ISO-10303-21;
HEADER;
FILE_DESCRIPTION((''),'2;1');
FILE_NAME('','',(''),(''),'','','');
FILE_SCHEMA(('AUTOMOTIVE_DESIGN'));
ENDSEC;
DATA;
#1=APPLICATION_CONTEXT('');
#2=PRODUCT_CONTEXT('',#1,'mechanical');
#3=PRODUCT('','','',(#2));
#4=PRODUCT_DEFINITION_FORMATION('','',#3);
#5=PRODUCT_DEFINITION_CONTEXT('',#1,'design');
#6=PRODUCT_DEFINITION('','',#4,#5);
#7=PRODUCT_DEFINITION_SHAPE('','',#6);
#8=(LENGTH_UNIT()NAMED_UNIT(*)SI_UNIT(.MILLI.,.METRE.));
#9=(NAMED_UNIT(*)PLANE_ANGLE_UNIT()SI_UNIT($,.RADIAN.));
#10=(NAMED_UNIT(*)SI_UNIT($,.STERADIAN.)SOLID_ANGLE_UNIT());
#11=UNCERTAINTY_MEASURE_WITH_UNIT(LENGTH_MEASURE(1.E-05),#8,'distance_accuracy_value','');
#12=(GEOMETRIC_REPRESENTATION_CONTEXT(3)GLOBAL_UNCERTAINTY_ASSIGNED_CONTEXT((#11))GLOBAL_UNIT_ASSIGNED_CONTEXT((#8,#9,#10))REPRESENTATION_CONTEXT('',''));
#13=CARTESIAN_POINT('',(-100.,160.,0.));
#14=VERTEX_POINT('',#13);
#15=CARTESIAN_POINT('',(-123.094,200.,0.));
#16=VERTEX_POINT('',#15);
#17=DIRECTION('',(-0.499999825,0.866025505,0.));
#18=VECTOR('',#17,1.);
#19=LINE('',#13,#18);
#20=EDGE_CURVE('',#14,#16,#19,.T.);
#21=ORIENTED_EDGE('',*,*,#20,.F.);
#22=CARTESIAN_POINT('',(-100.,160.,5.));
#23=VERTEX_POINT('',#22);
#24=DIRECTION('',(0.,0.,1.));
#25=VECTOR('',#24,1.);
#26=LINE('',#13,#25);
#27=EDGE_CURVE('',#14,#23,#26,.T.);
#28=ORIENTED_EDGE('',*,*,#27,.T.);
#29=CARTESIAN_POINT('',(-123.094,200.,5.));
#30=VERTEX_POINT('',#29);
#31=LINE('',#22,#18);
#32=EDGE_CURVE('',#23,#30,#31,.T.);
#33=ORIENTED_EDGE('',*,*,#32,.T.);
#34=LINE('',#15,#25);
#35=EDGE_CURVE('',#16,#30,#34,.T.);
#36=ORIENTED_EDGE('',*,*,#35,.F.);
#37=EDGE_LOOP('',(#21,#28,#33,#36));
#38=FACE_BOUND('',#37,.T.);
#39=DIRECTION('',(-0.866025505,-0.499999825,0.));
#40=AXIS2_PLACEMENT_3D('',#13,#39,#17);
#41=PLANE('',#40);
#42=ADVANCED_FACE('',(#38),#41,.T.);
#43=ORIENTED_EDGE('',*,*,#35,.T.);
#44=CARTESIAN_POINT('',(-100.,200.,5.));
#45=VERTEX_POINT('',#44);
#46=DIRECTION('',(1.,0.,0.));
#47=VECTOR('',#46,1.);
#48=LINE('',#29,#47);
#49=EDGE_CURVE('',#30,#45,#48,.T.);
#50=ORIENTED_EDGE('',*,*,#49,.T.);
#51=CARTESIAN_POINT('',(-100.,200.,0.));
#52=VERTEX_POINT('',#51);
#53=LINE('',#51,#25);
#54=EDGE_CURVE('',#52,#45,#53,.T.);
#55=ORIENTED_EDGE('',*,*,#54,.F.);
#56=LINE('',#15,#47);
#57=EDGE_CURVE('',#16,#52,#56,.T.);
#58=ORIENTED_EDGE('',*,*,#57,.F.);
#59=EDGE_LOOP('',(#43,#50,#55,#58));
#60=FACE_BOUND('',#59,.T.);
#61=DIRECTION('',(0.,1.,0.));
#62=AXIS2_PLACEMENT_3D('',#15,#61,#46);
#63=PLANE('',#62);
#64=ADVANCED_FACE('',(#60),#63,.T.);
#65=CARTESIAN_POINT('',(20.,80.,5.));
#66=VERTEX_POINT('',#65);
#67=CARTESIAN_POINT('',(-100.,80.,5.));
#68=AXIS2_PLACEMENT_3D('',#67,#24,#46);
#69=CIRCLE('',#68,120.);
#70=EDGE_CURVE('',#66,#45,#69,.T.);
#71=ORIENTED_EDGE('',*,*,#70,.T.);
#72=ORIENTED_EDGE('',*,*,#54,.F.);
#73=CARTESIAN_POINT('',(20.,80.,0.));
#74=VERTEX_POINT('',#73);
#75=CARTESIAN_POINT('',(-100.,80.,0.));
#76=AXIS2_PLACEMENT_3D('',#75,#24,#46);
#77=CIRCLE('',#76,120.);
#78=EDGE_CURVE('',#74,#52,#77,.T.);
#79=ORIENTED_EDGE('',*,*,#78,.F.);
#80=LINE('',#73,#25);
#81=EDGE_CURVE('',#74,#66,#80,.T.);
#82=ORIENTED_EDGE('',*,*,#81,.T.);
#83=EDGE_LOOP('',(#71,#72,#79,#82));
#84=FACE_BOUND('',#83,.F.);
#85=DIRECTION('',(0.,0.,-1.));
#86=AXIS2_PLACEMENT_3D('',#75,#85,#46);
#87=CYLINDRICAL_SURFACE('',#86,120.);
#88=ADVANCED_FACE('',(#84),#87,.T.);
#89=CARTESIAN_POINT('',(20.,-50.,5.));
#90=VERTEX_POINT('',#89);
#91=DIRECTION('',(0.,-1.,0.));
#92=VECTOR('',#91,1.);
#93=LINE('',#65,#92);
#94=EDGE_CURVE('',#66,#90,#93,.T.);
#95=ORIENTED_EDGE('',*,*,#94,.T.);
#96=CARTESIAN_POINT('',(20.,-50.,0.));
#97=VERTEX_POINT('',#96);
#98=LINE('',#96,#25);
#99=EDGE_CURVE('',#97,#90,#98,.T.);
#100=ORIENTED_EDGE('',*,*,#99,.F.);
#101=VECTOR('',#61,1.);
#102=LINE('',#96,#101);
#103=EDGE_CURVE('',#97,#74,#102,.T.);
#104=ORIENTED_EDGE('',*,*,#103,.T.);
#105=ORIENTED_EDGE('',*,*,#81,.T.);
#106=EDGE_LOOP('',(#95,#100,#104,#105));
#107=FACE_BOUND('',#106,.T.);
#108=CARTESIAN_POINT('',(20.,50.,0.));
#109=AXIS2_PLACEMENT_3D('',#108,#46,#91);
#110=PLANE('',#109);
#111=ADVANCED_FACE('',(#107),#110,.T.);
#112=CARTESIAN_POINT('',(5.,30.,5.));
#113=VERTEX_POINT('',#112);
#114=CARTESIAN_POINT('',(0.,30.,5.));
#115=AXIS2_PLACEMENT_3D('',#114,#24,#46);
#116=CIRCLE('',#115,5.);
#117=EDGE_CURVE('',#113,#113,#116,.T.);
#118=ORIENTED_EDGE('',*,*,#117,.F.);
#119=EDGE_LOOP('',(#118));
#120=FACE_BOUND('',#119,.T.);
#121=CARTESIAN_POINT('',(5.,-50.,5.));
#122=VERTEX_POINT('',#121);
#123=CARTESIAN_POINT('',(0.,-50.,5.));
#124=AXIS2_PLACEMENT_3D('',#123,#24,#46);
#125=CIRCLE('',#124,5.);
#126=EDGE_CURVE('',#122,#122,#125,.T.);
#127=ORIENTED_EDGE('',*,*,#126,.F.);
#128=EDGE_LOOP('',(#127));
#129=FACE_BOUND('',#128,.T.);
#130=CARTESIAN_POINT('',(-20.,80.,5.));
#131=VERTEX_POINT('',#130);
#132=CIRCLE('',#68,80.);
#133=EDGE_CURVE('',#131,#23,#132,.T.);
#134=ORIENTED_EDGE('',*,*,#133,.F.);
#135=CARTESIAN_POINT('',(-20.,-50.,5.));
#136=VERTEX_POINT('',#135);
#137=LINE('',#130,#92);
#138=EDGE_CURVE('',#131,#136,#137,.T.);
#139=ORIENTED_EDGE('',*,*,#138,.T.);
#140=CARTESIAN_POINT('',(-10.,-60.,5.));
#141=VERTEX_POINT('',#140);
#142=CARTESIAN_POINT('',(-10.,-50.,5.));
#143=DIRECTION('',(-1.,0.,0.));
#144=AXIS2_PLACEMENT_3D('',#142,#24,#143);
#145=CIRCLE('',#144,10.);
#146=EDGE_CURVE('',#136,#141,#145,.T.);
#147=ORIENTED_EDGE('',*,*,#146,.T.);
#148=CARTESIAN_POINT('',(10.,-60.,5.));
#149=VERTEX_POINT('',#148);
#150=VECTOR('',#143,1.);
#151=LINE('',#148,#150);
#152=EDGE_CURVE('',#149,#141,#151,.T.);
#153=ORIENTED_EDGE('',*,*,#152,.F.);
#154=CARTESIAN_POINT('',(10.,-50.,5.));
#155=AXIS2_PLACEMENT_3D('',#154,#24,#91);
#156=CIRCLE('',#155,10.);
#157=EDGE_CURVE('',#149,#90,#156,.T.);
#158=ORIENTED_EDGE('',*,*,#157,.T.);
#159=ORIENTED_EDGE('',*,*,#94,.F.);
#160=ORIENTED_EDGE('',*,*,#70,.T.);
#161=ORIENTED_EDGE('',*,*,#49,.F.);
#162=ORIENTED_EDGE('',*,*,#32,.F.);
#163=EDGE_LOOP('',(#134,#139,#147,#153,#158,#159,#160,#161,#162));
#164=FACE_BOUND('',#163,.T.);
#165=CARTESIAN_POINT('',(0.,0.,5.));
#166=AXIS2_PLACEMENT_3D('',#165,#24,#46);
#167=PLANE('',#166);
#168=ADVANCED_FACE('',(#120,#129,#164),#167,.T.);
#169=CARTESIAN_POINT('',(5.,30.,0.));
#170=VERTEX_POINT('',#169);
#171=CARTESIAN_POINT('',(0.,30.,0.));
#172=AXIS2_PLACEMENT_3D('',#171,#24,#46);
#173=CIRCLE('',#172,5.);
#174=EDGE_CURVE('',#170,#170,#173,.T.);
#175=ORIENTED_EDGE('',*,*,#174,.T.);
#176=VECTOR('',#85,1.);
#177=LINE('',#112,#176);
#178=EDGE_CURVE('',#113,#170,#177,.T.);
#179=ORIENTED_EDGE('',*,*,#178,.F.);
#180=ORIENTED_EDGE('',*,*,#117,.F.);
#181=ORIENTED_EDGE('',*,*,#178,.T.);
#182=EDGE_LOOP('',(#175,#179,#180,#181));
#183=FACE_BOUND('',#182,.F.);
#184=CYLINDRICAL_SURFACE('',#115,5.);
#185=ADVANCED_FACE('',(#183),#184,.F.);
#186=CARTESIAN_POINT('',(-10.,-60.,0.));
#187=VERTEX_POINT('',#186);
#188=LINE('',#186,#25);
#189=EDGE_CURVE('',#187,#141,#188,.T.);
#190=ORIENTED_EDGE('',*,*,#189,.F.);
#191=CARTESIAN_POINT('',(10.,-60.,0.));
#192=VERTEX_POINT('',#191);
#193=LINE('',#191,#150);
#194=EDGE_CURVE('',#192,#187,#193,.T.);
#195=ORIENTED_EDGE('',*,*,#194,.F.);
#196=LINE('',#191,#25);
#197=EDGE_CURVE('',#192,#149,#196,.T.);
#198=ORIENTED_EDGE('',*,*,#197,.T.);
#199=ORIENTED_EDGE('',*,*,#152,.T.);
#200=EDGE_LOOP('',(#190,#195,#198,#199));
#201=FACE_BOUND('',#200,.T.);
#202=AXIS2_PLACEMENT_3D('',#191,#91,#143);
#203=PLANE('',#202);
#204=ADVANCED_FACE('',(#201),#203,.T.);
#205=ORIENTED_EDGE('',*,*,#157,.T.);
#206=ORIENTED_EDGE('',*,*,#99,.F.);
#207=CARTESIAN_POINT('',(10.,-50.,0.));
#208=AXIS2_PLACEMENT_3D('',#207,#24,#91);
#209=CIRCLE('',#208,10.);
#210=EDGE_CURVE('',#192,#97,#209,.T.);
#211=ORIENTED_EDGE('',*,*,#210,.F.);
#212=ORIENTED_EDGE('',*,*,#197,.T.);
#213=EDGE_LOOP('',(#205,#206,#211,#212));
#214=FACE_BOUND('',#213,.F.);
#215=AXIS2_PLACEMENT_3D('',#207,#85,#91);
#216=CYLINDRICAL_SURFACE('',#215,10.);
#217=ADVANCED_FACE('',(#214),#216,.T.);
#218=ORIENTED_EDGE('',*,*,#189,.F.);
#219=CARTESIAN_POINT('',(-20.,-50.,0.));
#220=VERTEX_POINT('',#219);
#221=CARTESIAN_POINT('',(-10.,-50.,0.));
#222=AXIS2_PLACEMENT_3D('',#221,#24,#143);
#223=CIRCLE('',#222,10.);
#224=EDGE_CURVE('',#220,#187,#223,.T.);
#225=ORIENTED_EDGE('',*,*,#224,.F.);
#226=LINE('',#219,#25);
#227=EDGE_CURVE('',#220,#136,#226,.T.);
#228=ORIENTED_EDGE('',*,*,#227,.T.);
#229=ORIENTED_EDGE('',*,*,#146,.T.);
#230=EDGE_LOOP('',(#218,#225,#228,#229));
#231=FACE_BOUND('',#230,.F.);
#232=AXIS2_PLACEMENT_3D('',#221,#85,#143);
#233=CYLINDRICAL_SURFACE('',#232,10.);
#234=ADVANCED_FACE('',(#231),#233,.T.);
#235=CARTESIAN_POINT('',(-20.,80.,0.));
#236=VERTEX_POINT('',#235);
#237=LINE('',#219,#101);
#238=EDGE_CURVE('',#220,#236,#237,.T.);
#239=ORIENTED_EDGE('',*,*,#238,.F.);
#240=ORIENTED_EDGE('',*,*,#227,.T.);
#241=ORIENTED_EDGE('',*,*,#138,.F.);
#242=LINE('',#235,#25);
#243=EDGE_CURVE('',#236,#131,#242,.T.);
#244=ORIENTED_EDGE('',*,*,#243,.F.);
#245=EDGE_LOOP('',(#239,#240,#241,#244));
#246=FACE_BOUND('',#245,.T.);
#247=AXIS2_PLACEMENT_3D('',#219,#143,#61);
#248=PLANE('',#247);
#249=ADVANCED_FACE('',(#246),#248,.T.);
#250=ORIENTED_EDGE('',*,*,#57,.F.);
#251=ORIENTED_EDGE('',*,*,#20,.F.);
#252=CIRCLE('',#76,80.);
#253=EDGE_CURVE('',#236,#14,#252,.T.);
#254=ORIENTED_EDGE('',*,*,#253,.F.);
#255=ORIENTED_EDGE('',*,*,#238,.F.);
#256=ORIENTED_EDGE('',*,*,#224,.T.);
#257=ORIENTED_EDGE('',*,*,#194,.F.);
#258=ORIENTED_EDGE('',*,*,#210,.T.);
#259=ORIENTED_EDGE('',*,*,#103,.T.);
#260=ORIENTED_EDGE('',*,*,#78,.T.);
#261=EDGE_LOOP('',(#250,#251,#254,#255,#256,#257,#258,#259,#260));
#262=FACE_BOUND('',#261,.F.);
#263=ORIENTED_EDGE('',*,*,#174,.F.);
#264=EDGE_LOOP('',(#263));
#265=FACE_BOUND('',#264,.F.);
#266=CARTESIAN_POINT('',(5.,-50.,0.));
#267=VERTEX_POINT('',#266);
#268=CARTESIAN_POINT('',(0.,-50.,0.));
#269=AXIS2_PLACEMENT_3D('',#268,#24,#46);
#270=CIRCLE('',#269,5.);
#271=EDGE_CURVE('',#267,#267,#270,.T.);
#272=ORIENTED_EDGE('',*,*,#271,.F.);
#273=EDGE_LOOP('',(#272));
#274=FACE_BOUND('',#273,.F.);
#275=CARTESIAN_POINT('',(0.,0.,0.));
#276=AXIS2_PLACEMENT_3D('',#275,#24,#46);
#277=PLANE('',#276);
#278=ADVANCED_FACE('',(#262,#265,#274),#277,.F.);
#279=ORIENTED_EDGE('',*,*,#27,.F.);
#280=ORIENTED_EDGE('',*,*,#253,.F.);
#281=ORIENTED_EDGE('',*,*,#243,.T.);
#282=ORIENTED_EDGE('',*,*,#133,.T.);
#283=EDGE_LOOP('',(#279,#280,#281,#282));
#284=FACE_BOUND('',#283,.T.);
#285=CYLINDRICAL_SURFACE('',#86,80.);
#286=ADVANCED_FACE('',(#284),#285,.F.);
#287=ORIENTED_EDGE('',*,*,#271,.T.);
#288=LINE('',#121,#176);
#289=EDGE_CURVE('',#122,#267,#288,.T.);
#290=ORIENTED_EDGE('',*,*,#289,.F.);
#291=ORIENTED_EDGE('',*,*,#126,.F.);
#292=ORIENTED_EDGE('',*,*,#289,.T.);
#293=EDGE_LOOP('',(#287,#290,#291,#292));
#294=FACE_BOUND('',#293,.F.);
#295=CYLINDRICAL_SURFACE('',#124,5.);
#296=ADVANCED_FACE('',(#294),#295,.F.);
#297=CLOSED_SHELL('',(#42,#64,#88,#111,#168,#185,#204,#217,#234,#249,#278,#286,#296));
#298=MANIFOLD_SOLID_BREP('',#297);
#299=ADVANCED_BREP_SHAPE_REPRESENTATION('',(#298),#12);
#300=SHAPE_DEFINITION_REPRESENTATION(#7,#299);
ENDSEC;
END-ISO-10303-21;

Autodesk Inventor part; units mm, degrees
ref_plane "YZ Plane" through (0, 0, 0) normal (1, 0, 0) x (0, 1, 0)
ref_plane "XZ Plane" through (0, 0, 0) normal (0, 1, 0) x (-1, 0, 0)
ref_plane "XY Plane" through (0, 0, 0) normal (0, 0, 1) x (1, 0, 0)
sketch "Sketch1" plane through (0, 0, 0) normal (0, 0, 1) x (1, 0, 0)
  line L0 (20, 50) -> (20, -50)
  line L1 (10, -60) -> (-10, -60)
  line L2 (-20, -50) -> (-20, 50)
  arc A0 (10, -60) -> (20, -50) centre (10, -50) ccw
  arc A1 (-20, -50) -> (-10, -60) centre (-10, -50) ccw
  line L3 (-20, 80) -> (-20, 50)
  line L4 (20, 80) -> (20, 50)
  line L5 (-20, 80) -> (-100, 80) construction
  arc A2 (-20, 80) -> (-100, 160) centre (-100, 80) ccw
  arc A3 (20, 80) -> (-100, 200) centre (-100, 80) ccw
  line L6 (-100, 160) -> (-123.094, 200)
  line L7 (-100, 160) -> (-53.812, 160) construction
  line L8 (-123.094, 200) -> (-100, 200)
  point P0 (0, 0)
  point P1 (20, 0)
  point P2 (0, 80)
  dimension "d1" = 40
  dimension "d11" = 80
  dimension "d12" = 140
  dimension "d19" = 120
extrude "Extrusion1" add sketch "Sketch1" along normal blind 5
sketch "Sketch3" plane through (0, 0, 5) normal (0, 0, 1) x (1, 0, 0)
  circle A0 centre (0, -50) radius 5
  line L0 (-10, -60) -> (10, -60) projected
  circle A1 centre (0, 30) radius 5
  point P0 (0, 0)
  dimension "d13" = 10
  dimension "d14" = 10
  dimension "d15" = 10
  dimension "d16" = 80
extrude "Extrusion3" cut sketch "Sketch3" against normal up to surface (5 mm away)
equation "\"d17\" = d13"
properties part number "garrita"
